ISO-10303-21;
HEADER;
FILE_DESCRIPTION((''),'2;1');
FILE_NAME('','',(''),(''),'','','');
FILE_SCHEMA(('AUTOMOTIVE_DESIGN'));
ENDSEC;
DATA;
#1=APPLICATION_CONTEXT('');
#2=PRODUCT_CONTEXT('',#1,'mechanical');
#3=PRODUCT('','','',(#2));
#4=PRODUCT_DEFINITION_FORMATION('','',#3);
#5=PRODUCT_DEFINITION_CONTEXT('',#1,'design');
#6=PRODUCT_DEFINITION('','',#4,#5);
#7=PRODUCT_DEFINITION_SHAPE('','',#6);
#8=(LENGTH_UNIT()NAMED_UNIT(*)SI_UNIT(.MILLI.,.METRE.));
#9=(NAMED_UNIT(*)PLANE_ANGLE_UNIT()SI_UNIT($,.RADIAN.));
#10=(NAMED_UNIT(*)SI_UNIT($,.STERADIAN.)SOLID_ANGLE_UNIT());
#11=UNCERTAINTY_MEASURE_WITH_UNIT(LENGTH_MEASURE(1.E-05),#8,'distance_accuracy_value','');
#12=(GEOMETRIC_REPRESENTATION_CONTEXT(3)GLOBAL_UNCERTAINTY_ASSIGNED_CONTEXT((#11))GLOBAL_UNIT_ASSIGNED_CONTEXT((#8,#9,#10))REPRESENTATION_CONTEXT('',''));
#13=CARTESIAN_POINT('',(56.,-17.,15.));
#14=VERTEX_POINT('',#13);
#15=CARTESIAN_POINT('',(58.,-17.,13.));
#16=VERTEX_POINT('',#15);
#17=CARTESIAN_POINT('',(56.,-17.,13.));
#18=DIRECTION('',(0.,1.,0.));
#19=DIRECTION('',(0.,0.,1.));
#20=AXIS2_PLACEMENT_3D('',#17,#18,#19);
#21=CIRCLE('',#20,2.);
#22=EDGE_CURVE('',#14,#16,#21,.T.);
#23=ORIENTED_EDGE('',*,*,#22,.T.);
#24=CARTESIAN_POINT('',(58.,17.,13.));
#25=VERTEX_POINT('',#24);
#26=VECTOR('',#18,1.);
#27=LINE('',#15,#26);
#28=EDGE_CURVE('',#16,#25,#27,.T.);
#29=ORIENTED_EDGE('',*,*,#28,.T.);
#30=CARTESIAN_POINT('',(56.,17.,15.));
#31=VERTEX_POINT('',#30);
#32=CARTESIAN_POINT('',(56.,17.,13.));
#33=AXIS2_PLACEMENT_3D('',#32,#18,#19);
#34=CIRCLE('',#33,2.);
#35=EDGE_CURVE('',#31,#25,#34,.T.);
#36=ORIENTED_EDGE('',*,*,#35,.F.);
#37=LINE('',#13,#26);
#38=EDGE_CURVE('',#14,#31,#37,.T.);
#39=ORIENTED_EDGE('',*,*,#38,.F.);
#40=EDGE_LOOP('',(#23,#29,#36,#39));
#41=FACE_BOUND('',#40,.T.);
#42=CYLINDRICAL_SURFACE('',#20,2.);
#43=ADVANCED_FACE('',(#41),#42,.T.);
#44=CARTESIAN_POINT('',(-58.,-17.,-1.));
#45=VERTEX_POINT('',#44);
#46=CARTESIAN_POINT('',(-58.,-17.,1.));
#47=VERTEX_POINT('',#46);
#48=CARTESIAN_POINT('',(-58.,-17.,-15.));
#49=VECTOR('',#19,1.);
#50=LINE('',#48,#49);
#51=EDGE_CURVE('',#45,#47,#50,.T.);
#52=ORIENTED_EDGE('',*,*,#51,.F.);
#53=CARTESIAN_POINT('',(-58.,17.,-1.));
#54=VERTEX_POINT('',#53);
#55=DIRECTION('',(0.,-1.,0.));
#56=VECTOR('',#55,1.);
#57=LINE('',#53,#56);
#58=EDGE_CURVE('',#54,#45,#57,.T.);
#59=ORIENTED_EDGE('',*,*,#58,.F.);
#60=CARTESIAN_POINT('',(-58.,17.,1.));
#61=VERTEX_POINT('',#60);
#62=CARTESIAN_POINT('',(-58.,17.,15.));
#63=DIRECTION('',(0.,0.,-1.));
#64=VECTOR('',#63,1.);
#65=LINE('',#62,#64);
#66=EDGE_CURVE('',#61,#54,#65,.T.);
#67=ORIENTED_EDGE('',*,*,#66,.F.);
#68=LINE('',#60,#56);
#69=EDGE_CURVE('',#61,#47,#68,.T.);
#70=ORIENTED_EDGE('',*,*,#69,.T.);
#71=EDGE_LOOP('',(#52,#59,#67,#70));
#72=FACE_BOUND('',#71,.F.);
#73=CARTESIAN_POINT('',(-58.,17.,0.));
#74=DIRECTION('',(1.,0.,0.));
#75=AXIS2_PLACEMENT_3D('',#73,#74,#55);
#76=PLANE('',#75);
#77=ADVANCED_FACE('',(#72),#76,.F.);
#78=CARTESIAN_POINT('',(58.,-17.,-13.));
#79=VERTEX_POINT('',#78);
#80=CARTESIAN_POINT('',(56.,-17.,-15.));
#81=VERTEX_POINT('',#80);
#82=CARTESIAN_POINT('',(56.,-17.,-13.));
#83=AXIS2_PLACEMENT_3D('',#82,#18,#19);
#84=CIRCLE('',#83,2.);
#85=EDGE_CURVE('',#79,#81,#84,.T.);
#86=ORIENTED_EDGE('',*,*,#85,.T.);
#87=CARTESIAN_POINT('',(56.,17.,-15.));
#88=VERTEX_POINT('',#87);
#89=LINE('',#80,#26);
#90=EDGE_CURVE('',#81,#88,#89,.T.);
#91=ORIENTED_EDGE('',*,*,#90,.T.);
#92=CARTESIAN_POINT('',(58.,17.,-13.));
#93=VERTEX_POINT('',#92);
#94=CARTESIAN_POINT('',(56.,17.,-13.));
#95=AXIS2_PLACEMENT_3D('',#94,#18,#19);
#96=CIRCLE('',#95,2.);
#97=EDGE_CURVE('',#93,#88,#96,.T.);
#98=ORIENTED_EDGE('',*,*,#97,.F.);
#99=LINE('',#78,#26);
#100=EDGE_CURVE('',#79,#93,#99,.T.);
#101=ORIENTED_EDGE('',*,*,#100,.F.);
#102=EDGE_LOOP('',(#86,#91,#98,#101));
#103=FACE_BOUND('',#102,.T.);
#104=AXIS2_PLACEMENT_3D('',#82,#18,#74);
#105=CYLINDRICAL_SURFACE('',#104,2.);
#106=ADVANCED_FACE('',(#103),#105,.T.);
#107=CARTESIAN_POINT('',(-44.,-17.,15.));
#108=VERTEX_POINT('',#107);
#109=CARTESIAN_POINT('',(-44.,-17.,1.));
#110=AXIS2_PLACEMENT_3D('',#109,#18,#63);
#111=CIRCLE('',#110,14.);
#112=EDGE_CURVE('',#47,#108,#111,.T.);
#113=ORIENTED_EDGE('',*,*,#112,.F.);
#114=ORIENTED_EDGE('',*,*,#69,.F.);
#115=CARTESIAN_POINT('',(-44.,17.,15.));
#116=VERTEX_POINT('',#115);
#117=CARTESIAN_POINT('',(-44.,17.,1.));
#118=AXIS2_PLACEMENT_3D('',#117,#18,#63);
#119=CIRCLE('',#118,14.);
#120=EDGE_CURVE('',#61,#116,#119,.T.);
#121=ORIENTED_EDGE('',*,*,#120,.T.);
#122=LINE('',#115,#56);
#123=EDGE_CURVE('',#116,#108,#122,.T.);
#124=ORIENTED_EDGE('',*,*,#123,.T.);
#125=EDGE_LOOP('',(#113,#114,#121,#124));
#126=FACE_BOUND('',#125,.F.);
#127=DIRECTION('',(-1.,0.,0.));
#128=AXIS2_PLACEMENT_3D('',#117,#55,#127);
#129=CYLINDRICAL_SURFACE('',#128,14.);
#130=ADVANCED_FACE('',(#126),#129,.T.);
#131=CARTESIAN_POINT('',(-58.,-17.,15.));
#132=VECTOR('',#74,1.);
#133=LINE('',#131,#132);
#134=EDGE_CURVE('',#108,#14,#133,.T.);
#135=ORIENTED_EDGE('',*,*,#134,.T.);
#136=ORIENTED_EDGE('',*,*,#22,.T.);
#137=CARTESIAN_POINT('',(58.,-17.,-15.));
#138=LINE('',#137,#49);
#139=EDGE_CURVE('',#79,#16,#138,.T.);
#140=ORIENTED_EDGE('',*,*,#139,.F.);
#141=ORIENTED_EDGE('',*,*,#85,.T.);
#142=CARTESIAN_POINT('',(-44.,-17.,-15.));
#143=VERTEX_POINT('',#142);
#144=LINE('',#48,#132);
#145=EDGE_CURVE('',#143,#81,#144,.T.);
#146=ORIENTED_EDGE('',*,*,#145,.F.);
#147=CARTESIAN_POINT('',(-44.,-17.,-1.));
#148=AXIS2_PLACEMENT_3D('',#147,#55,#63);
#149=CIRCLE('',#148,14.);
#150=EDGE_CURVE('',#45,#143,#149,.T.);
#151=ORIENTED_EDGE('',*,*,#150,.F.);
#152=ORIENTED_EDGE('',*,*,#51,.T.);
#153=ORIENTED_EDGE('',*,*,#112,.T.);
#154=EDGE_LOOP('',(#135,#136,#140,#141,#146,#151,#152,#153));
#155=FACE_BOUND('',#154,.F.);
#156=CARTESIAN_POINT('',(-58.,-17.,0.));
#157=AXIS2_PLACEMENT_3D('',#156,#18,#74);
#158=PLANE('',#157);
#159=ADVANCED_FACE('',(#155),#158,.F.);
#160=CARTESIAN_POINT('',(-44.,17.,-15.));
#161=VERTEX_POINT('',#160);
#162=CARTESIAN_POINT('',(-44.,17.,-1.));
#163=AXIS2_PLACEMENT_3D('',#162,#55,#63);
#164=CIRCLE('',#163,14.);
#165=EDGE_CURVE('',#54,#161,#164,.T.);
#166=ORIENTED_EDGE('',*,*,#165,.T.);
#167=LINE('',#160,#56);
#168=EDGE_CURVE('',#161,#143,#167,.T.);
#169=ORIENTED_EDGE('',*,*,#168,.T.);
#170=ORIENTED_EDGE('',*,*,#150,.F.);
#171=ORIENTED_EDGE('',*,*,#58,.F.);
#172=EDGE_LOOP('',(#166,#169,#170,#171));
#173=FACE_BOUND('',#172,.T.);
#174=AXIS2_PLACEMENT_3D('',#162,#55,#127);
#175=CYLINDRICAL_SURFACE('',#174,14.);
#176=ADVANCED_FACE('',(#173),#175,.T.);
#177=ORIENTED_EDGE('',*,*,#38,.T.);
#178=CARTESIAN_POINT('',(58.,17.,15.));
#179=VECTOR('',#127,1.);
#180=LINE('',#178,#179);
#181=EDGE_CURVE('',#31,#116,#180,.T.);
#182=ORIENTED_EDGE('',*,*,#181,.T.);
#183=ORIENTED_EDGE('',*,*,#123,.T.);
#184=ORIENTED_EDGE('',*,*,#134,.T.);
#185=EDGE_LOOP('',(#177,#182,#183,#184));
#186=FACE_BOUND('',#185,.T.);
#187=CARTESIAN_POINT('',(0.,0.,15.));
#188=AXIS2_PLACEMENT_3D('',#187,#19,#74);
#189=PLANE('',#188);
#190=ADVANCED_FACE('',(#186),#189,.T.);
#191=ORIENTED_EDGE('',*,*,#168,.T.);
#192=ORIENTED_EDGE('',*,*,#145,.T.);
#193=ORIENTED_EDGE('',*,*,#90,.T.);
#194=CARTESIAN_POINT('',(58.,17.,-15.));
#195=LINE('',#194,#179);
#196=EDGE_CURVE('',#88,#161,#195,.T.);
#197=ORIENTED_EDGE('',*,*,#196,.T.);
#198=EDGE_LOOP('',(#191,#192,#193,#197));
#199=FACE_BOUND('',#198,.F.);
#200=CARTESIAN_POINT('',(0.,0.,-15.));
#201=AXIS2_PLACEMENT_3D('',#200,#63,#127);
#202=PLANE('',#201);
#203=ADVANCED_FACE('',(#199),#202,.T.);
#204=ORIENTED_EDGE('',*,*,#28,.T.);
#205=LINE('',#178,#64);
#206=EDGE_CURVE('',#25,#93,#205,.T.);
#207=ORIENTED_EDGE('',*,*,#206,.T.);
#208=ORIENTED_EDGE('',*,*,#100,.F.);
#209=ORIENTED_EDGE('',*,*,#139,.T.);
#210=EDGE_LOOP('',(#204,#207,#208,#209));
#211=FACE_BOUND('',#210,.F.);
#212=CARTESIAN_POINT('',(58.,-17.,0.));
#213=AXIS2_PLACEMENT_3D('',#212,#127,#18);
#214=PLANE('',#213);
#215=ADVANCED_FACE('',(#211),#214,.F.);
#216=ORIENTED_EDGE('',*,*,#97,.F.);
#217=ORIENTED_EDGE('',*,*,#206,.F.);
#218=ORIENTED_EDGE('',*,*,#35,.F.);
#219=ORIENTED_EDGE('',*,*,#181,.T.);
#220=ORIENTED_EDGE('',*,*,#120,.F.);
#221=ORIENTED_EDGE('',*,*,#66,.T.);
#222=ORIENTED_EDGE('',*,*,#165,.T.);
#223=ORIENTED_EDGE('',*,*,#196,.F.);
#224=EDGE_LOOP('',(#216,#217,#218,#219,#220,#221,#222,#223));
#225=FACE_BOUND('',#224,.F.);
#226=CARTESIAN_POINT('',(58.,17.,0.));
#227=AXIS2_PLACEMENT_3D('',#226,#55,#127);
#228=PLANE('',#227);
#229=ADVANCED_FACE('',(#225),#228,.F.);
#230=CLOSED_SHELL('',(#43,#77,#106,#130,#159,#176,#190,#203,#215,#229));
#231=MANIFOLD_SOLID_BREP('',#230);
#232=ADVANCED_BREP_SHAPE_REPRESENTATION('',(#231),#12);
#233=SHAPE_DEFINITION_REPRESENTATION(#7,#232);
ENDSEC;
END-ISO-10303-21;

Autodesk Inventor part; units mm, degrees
ref_plane "YZ Plane" through (0, 0, 0) normal (1, 0, 0) x (0, 1, 0)
ref_plane "XZ Plane" through (0, 0, 0) normal (0, 1, 0) x (-1, 0, 0)
ref_plane "XY Plane" through (0, 0, 0) normal (0, 0, 1) x (1, 0, 0)
sketch "スケッチ1" plane through (0, 0, 0) normal (0, 0, 1) x (1, 0, 0)
  line L0 (-58, -17) -> (58, -17)
  line L1 (58, -17) -> (58, 17)
  line L2 (58, 17) -> (-58, 17)
  line L3 (-58, 17) -> (-58, -17)
  line L4 (-58, -17) -> (58, 17) construction
  line L5 (58, -17) -> (-58, 17) construction
  point P0 (0, 0)
  dimension "d0" = 116
  dimension "d1" = 34
extrude "押し出し1" add sketch "スケッチ1" along normal blind 15
mirror "ミラー1" about plane through (0, 0, 0) normal (0, 0, -1) of "押し出し1"
fillet "フィレット1" radius 14 2 edges at (-58, 0, 15) (-58, 0, -15)
fillet "フィレット2" radius 2 2 edges at (58, 0, 15) (58, 0, -15)
properties part number "HP-G570-2600S3"
